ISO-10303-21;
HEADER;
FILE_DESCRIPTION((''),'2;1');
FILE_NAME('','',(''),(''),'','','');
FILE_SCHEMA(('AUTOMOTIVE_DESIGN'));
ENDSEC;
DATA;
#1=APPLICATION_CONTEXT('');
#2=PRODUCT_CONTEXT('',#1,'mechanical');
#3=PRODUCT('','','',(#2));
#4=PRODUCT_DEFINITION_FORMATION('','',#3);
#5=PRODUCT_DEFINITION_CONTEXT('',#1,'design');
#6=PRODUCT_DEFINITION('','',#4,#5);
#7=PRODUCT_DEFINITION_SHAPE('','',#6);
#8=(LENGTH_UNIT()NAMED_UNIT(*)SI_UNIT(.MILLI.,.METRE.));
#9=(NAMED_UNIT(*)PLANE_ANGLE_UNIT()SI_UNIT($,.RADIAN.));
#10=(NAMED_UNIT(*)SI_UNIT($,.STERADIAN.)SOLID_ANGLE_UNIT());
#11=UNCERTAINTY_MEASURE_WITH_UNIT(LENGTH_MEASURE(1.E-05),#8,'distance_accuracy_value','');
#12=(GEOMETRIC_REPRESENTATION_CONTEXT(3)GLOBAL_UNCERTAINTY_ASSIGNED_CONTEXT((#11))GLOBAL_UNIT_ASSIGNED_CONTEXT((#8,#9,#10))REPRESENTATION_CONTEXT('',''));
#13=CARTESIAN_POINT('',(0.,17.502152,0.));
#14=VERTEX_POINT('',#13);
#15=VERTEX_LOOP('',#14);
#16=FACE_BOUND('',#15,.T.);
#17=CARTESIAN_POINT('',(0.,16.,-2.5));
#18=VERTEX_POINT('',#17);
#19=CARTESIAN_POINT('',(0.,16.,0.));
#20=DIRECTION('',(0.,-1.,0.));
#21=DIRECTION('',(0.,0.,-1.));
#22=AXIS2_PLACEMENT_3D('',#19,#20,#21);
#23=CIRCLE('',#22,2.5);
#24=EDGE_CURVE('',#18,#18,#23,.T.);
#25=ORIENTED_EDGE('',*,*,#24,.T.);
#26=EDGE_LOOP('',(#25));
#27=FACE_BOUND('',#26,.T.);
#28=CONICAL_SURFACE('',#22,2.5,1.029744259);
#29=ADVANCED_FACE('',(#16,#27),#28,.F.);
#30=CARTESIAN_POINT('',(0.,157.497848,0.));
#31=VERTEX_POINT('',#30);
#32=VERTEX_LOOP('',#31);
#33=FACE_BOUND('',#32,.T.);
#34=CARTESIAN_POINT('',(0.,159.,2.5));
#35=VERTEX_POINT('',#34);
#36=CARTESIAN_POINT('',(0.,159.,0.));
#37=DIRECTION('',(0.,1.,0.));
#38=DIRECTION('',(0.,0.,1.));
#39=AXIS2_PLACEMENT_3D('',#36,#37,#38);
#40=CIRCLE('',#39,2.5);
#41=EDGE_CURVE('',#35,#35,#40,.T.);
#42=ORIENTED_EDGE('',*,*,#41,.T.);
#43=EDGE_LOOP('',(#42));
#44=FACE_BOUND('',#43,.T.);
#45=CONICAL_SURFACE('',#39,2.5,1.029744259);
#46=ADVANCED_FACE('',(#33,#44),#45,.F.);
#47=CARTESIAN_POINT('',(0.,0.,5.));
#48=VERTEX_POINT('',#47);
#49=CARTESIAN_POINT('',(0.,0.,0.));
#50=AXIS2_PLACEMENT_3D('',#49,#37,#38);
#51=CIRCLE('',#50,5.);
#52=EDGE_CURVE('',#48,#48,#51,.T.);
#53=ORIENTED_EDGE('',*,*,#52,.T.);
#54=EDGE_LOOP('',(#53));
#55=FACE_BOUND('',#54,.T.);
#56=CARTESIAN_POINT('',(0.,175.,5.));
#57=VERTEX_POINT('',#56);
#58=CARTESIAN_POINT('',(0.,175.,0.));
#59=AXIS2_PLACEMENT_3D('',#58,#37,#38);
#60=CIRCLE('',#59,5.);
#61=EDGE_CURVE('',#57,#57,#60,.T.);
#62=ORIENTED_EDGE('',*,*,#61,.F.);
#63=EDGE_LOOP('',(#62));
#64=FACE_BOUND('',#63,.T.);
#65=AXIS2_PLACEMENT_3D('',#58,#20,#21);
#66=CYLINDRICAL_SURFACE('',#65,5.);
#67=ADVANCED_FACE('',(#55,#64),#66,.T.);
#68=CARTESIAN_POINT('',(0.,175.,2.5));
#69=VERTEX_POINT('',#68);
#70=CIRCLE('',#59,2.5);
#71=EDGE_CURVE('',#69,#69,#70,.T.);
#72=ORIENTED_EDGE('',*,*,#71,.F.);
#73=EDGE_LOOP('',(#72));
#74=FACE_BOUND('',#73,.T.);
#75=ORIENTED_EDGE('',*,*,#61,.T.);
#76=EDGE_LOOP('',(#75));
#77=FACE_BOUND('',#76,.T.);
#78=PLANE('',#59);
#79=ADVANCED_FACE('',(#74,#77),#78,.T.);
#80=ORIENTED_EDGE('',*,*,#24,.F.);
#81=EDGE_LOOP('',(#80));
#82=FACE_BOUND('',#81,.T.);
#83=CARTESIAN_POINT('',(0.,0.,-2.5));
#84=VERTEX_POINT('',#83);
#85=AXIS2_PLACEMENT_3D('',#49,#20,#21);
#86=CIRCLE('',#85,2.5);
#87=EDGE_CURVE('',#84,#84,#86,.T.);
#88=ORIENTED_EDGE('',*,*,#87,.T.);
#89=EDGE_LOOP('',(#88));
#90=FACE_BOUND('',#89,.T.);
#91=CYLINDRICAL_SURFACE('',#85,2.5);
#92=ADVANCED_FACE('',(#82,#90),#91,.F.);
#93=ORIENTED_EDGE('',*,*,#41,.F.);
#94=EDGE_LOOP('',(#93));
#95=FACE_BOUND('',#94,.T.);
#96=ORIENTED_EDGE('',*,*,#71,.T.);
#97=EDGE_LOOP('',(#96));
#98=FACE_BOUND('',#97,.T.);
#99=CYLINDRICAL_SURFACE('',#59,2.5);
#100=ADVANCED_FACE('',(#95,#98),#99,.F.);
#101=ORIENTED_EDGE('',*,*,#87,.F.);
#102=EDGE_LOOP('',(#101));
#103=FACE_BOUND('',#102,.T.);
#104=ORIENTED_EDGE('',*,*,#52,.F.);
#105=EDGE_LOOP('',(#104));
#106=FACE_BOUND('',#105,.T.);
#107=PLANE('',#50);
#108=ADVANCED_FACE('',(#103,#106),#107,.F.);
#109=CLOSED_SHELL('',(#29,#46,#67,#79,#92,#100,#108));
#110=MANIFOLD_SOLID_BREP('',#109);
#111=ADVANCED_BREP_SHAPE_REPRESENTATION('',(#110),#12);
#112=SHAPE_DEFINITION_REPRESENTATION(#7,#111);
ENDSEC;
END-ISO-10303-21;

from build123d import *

# Parameters (mm, degrees)
SKETCH2_R             = 5
BOSS_EXTRUDE2_DEPTH   = 175
M6_TAPPED_HOLE1_D     = 5
M6_TAPPED_HOLE1_DEPTH = 16
M6_TAPPED_HOLE1_TIP   = 1.502151548
M6_TAPPED_HOLE2_D     = 5
M6_TAPPED_HOLE2_DEPTH = 16
M6_TAPPED_HOLE2_TIP   = 1.502151548


with BuildPart() as part:
    # Sketch2 → Boss-Extrude2 (new body)
    with BuildSketch(Plane(origin=(0, 0, 0), x_dir=(1, 0, 0), z_dir=(0, 1, 0))):
        Circle(SKETCH2_R)
    extrude(amount=BOSS_EXTRUDE2_DEPTH)

    # M6 Tapped Hole1
    with Locations(Plane(origin=(0, 175, 0), x_dir=(1, 0, 0), z_dir=(0, 1, 0))):
        with Locations((0, 0)):
            Hole(M6_TAPPED_HOLE1_D / 2, depth=M6_TAPPED_HOLE1_DEPTH)
            with Locations((0, 0, -(M6_TAPPED_HOLE1_DEPTH + M6_TAPPED_HOLE1_TIP / 2))):  # 118° drill point
                Cone(0, M6_TAPPED_HOLE1_D / 2, M6_TAPPED_HOLE1_TIP, mode=Mode.SUBTRACT)

    # M6 Tapped Hole2
    with Locations(Plane(origin=(0, 0, 0), x_dir=(-1, 0, 0), z_dir=(0, -1, 0))):
        with Locations((0, 0)):
            Hole(M6_TAPPED_HOLE2_D / 2, depth=M6_TAPPED_HOLE2_DEPTH)
            with Locations((0, 0, -(M6_TAPPED_HOLE2_DEPTH + M6_TAPPED_HOLE2_TIP / 2))):  # 118° drill point
                Cone(0, M6_TAPPED_HOLE2_D / 2, M6_TAPPED_HOLE2_TIP, mode=Mode.SUBTRACT)


solid = part.part
